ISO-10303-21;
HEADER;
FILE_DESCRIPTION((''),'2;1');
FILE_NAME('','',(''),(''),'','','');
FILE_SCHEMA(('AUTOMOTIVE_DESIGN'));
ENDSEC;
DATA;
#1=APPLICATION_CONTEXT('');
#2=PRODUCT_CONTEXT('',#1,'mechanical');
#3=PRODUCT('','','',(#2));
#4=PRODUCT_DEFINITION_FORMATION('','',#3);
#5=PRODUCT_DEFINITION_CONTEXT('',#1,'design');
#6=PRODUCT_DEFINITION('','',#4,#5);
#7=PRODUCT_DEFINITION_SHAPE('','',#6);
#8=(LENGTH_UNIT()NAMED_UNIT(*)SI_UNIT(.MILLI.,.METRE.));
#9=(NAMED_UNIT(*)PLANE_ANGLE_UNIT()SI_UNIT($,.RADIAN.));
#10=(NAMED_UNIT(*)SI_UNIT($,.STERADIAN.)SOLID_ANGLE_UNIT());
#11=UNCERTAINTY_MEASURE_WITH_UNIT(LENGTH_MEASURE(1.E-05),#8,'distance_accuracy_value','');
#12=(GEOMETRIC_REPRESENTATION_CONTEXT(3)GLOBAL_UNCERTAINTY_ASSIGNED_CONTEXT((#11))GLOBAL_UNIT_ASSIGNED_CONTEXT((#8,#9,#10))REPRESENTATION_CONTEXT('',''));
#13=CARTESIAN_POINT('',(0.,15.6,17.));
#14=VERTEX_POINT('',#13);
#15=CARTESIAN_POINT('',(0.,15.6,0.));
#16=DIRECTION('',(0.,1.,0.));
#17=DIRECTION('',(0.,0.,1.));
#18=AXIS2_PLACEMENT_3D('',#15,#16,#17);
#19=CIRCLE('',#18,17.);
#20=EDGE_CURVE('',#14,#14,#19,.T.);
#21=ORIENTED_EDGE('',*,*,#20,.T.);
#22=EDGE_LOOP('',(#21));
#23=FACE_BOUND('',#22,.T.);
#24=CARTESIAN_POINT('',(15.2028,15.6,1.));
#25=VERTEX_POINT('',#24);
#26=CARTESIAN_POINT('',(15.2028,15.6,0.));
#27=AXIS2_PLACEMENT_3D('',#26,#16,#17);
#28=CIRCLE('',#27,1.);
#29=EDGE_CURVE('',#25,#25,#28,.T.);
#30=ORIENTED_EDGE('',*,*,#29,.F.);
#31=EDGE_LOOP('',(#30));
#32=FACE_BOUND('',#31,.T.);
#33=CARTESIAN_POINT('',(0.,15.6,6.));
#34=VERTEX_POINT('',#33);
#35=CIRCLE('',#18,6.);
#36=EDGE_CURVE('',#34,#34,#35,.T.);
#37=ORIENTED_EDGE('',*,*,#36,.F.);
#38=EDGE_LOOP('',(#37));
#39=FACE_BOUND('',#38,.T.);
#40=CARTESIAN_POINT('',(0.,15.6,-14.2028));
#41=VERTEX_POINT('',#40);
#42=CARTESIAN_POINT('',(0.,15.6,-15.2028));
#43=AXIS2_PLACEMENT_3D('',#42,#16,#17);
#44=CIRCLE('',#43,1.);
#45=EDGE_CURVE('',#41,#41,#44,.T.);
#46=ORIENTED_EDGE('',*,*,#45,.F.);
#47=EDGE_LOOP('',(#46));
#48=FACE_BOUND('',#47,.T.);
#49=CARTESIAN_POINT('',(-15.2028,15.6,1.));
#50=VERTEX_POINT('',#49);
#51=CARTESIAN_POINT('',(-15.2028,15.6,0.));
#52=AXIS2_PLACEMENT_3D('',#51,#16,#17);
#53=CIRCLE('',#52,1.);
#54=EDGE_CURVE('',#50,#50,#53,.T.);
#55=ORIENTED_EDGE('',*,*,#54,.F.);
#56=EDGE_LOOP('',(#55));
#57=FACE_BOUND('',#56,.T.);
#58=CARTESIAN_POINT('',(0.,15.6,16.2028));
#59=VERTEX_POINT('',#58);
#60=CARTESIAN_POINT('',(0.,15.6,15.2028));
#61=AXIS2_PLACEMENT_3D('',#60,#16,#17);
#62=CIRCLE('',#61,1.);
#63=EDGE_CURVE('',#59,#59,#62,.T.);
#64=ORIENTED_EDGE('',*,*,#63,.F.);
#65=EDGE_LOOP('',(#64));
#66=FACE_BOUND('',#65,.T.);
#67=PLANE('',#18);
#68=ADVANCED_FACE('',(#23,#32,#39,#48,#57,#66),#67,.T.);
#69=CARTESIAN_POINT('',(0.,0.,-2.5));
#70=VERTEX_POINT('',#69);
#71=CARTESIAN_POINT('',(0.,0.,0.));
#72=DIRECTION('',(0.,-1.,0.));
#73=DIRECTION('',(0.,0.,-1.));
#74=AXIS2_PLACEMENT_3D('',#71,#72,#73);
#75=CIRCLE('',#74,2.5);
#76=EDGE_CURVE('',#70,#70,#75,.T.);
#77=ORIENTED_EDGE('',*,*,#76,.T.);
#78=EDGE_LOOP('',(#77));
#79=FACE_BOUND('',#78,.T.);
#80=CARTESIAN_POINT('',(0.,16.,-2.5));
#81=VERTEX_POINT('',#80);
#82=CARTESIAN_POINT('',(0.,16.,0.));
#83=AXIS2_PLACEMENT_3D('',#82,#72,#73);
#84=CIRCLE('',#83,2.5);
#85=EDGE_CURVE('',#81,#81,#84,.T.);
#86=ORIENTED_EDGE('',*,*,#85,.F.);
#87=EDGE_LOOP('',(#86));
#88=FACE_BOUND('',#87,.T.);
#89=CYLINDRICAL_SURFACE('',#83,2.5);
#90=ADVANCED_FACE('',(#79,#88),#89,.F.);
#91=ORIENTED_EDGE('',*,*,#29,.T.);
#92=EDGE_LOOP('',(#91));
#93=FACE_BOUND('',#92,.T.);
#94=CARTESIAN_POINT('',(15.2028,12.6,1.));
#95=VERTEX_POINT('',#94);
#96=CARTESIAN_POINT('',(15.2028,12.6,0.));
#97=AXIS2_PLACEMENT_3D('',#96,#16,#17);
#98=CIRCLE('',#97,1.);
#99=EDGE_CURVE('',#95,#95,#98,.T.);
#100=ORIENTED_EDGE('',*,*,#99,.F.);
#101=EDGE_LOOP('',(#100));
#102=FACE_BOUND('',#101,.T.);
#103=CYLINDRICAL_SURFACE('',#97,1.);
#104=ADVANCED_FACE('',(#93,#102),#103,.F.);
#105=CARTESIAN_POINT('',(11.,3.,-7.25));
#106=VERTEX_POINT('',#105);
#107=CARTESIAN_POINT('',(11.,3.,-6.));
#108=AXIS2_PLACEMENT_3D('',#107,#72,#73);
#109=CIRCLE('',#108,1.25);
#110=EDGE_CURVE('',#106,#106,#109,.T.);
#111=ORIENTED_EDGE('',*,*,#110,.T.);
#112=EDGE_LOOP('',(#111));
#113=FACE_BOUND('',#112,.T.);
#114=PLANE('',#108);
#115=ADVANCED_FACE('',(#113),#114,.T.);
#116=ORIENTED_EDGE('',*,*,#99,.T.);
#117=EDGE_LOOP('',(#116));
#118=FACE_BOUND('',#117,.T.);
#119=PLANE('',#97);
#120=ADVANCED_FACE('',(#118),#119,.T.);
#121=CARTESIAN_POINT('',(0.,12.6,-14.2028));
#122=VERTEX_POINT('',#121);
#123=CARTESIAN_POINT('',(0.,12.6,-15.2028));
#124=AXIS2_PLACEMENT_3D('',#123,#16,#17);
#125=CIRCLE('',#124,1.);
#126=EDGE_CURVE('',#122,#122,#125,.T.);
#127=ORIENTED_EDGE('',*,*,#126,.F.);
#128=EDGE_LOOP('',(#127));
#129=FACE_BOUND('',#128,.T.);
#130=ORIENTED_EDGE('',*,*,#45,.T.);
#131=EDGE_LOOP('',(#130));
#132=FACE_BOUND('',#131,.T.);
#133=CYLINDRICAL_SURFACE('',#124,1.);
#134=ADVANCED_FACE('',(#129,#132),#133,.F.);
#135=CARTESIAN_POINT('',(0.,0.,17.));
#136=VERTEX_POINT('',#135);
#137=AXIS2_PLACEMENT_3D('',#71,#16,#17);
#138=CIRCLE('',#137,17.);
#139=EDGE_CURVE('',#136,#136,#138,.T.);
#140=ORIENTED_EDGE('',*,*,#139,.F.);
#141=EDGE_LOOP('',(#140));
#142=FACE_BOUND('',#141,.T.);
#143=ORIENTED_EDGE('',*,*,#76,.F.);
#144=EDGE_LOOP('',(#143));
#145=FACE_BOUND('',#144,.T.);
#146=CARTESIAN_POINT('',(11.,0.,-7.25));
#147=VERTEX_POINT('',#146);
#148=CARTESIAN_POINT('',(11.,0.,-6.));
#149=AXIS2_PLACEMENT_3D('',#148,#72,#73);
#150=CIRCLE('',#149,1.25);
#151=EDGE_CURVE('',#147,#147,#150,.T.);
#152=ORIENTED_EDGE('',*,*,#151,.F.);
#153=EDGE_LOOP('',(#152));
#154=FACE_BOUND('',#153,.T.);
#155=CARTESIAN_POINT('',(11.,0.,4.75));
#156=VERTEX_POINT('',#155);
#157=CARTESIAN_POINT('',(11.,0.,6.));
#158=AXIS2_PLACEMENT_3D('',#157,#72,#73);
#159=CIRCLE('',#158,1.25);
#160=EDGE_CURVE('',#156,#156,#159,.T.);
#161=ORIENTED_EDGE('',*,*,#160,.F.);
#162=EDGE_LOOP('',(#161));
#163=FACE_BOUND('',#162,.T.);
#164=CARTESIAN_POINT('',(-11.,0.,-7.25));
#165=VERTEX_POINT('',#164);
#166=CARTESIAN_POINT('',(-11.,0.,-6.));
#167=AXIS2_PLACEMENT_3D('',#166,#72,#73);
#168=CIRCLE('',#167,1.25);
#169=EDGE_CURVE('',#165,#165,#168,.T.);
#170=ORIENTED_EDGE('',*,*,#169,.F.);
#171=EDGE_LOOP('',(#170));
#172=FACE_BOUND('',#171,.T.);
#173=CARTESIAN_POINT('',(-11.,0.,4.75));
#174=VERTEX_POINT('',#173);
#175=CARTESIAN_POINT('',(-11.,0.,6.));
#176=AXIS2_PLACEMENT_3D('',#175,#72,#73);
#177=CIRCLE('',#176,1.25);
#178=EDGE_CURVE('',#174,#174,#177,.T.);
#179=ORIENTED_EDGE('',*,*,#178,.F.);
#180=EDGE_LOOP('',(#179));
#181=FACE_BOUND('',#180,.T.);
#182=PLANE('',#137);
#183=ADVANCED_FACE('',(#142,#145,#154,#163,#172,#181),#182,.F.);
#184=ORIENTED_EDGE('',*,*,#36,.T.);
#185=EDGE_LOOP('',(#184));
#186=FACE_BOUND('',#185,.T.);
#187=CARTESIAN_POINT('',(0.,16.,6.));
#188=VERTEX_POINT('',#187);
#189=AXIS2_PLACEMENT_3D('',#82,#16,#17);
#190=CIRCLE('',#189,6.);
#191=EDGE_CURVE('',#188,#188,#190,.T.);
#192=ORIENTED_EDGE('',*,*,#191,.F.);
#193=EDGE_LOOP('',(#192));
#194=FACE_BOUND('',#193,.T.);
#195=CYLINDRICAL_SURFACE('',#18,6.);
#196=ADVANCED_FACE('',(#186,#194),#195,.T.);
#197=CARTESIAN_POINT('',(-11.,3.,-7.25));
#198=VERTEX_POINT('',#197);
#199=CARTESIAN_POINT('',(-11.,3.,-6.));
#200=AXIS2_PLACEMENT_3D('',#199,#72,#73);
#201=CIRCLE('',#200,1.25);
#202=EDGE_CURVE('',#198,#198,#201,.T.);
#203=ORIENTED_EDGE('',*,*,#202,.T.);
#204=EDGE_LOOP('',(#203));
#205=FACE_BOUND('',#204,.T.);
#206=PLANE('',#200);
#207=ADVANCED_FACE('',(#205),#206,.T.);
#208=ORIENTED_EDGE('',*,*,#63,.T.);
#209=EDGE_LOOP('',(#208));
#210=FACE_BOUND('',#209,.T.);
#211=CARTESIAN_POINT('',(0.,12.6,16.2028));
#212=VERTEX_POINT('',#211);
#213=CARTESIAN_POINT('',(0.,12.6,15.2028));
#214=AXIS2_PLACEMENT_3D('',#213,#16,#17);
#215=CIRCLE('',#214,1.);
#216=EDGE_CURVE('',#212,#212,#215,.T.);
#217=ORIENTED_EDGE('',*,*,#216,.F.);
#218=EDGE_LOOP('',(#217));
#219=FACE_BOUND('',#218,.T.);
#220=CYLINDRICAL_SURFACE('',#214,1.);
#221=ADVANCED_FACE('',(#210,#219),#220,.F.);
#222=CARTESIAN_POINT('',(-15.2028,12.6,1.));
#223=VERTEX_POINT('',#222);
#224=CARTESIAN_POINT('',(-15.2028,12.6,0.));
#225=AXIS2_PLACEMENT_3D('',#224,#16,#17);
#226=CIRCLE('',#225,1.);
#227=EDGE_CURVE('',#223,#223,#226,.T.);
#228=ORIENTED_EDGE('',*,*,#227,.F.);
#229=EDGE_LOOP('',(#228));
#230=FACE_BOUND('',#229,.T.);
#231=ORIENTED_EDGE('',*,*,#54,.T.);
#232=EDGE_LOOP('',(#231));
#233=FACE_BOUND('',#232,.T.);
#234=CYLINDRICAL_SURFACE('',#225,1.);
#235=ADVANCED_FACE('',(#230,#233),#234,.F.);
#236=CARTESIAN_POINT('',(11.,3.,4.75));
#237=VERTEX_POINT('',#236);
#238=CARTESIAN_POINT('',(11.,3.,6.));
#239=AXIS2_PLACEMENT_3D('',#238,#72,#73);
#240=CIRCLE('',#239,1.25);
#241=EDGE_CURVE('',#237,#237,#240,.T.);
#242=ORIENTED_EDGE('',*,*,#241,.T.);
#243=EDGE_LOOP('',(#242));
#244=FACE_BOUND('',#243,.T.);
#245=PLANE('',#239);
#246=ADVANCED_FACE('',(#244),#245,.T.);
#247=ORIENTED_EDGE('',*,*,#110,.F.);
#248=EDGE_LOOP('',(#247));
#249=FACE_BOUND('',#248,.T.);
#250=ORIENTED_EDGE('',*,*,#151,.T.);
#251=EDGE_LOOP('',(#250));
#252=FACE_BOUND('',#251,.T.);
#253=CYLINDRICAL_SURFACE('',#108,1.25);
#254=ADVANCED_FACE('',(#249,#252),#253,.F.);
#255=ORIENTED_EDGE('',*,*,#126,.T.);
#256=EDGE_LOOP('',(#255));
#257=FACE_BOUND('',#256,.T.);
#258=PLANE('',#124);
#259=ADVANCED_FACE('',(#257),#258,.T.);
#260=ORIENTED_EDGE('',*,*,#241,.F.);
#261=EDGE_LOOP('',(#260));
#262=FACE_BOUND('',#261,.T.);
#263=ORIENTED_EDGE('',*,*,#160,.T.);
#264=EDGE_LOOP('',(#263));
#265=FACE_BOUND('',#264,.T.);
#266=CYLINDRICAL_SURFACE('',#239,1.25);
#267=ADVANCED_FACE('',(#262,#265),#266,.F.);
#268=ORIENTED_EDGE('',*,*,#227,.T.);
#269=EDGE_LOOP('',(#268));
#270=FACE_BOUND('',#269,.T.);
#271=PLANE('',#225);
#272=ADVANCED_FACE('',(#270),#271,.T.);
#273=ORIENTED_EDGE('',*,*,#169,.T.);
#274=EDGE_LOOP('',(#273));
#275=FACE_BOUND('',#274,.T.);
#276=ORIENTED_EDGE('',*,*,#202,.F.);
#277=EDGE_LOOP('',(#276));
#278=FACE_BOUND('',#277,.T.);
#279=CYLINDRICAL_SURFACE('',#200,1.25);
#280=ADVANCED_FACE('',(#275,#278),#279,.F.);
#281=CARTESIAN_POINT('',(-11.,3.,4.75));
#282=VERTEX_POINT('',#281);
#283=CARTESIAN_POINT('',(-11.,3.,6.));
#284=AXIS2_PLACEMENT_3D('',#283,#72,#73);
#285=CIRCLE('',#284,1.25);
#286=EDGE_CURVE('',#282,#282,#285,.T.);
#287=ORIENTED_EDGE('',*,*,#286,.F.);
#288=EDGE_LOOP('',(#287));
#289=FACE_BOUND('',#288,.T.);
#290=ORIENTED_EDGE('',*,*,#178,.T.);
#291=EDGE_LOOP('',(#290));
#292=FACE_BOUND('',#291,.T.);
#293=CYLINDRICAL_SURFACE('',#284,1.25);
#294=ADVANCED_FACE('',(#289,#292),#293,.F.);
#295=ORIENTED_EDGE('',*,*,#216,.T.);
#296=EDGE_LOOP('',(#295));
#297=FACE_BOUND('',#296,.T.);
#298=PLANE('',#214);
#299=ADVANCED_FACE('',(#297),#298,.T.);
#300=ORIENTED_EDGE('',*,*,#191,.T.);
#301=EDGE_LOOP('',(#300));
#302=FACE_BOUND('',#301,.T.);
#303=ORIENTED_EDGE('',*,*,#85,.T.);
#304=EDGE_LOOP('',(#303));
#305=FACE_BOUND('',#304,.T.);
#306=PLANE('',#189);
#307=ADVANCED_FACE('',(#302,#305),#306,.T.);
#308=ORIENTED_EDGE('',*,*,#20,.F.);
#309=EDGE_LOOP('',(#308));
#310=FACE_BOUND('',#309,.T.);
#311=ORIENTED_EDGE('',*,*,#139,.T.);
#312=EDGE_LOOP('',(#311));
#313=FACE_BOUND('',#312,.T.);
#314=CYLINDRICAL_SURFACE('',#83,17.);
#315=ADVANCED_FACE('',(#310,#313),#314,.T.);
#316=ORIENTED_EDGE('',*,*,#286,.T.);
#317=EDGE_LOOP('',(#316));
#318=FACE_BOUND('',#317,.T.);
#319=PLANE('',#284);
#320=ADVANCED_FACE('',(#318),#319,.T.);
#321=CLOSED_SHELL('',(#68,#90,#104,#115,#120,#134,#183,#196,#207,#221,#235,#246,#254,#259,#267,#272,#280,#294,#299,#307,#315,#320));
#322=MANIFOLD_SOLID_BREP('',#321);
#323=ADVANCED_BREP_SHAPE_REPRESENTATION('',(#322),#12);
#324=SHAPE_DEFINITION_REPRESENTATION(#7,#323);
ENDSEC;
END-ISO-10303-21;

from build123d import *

# Parameters (mm, degrees)
SKETCH1_R      = 17
EXTRUDE1_DEPTH = 16
EXTRUDE2_START = -0.4
SKETCH2_R      = 17
SKETCH2_R_2    = 6
EXTRUDE2_DEPTH = 0.4
SKETCH3_R      = 1
EXTRUDE3_DEPTH = 3.4
SKETCH5_R      = 1.25
EXTRUDE5_DEPTH = 3
SKETCH6_R      = 2.5
EXTRUDE6_DEPTH = 29.879058156


with BuildPart() as part:
    # Sketch1 → Extrude1 (new body)
    with BuildSketch(Plane(origin=(0, 0, 0), x_dir=(1, 0, 0), z_dir=(0, 1, 0))):
        Circle(SKETCH1_R)
    extrude(amount=EXTRUDE1_DEPTH)

    # Sketch2 → Extrude2 (cut)
    with BuildSketch(Plane(origin=(0, 16, 0), x_dir=(1, 0, 0), z_dir=(0, 1, 0)).offset(EXTRUDE2_START)):
        Circle(SKETCH2_R)
        Circle(SKETCH2_R_2, mode=Mode.SUBTRACT)
    extrude(amount=EXTRUDE2_DEPTH, mode=Mode.SUBTRACT)

    # Sketch3 → Extrude3 (cut)
    with BuildSketch(Plane(origin=(0, 16, 0), x_dir=(1, 0, 0), z_dir=(0, 1, 0))):
        with Locations((0, 15.2028)):
            Circle(SKETCH3_R)
        with Locations((15.2028, 0)):
            Circle(SKETCH3_R)
        with Locations((0, -15.2028)):
            Circle(SKETCH3_R)
        with Locations((-15.2028, 0)):
            Circle(SKETCH3_R)
    extrude(amount=-EXTRUDE3_DEPTH, mode=Mode.SUBTRACT)

    # Sketch5 → Extrude5 (cut)
    with BuildSketch(Plane.XZ):
        with Locations((-11, 6)):
            Circle(SKETCH5_R)
        with Locations((11, 6)):
            Circle(SKETCH5_R)
        with Locations((11, -6)):
            Circle(SKETCH5_R)
        with Locations((-11, -6)):
            Circle(SKETCH5_R)
    extrude(amount=-EXTRUDE5_DEPTH, mode=Mode.SUBTRACT)

    # Sketch6 → Extrude6 (cut, through all)
    with BuildSketch(Plane.XZ):
        Circle(SKETCH6_R)
    extrude(amount=-EXTRUDE6_DEPTH, mode=Mode.SUBTRACT)


solid = part.part
